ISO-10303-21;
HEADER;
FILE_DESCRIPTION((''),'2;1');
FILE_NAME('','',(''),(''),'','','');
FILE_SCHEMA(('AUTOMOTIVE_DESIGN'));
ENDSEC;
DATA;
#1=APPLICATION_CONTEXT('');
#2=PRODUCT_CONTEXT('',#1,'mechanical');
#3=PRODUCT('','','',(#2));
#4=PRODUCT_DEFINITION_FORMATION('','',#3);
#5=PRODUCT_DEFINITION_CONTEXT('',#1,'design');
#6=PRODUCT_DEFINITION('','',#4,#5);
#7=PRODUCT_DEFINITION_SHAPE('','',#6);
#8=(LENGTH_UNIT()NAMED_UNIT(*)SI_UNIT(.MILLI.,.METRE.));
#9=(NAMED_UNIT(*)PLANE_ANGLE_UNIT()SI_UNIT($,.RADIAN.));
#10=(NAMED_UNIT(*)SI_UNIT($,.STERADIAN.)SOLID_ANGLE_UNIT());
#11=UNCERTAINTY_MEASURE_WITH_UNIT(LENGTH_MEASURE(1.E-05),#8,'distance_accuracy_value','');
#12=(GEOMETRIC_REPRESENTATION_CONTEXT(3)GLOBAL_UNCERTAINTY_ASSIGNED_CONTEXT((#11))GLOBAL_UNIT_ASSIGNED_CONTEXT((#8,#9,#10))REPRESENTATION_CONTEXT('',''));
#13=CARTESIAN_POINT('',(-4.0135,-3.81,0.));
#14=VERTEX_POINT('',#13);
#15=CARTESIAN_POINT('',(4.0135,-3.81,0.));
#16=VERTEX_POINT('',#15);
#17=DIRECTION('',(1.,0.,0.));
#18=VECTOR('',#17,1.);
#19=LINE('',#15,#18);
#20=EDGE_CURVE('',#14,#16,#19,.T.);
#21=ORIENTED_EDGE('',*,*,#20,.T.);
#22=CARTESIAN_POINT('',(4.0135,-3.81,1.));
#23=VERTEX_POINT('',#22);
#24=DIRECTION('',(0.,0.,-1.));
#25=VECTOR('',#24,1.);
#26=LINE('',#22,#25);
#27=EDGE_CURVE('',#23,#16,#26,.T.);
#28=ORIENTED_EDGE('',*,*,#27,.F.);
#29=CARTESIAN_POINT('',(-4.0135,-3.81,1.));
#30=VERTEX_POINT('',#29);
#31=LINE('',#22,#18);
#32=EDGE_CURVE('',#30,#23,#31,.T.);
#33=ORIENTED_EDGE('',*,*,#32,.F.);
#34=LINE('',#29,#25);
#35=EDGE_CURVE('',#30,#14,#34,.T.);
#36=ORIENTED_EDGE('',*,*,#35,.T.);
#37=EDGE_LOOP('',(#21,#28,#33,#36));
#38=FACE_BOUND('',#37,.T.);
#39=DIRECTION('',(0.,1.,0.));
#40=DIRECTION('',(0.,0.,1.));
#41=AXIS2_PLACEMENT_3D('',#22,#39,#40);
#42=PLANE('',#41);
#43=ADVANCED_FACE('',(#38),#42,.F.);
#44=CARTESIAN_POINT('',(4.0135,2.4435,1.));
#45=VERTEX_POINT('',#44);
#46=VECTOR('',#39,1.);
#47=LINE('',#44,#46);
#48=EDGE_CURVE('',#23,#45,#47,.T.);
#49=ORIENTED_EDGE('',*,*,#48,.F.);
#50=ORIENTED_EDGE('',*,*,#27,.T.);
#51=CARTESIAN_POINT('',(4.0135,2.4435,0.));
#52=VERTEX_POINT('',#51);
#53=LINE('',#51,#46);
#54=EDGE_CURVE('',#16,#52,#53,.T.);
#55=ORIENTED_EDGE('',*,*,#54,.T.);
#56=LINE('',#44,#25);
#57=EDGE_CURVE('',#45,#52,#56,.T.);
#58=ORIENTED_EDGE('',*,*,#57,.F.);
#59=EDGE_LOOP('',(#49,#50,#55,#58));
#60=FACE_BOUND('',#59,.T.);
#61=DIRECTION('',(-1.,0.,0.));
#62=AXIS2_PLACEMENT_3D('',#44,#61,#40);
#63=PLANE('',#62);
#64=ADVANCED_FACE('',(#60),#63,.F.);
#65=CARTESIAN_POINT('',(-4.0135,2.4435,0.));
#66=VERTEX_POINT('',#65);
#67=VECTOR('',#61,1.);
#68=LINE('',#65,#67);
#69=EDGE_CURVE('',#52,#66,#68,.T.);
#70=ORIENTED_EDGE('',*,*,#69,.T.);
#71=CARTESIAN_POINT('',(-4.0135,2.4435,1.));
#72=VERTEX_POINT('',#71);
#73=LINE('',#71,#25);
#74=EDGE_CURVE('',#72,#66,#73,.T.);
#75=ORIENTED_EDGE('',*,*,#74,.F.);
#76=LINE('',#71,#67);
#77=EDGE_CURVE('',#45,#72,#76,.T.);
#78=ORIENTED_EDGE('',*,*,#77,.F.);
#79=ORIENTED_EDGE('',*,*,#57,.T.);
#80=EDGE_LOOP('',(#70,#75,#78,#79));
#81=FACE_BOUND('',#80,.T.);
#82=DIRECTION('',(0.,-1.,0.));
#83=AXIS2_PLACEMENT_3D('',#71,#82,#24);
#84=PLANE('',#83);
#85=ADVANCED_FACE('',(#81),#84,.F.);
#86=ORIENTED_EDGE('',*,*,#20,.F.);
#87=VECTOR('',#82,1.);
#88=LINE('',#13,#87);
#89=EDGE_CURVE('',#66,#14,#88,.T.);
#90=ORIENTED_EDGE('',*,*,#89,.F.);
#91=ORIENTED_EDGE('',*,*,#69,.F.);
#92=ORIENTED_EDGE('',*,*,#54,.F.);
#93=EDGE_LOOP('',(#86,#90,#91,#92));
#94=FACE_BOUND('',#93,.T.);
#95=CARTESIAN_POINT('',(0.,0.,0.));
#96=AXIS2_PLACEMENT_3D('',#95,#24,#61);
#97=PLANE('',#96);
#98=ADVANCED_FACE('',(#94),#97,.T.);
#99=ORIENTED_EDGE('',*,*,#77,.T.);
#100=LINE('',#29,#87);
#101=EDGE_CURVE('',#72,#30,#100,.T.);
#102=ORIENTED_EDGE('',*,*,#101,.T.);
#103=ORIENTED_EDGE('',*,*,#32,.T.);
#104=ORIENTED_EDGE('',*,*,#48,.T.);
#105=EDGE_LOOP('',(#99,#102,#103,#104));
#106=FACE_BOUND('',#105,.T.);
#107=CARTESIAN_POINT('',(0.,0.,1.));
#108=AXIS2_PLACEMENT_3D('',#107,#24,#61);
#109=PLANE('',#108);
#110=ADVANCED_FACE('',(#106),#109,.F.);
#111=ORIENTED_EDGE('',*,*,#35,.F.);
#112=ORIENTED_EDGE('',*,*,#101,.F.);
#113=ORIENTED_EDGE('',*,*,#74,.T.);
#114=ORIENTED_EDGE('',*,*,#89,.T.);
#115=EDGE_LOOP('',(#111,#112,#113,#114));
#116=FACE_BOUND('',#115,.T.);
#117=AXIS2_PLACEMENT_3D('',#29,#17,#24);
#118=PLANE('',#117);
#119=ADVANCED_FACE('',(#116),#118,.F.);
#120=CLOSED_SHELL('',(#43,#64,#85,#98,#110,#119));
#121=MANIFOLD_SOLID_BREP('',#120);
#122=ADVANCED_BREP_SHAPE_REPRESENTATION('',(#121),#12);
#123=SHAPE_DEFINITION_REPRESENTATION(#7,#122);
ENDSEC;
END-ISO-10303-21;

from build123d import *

# Parameters (mm, degrees)
SKETCH1_W               = 8.027
SKETCH1_H               = 6.2535
COMPONENT_OUTLINE_DEPTH = 1


with BuildPart() as part:
    # Sketch1 → Component_Outline (new body)
    with BuildSketch(Plane.XY):
        with Locations((0, -0.68325)):
            Rectangle(SKETCH1_W, SKETCH1_H)
    extrude(amount=COMPONENT_OUTLINE_DEPTH)


solid = part.part
